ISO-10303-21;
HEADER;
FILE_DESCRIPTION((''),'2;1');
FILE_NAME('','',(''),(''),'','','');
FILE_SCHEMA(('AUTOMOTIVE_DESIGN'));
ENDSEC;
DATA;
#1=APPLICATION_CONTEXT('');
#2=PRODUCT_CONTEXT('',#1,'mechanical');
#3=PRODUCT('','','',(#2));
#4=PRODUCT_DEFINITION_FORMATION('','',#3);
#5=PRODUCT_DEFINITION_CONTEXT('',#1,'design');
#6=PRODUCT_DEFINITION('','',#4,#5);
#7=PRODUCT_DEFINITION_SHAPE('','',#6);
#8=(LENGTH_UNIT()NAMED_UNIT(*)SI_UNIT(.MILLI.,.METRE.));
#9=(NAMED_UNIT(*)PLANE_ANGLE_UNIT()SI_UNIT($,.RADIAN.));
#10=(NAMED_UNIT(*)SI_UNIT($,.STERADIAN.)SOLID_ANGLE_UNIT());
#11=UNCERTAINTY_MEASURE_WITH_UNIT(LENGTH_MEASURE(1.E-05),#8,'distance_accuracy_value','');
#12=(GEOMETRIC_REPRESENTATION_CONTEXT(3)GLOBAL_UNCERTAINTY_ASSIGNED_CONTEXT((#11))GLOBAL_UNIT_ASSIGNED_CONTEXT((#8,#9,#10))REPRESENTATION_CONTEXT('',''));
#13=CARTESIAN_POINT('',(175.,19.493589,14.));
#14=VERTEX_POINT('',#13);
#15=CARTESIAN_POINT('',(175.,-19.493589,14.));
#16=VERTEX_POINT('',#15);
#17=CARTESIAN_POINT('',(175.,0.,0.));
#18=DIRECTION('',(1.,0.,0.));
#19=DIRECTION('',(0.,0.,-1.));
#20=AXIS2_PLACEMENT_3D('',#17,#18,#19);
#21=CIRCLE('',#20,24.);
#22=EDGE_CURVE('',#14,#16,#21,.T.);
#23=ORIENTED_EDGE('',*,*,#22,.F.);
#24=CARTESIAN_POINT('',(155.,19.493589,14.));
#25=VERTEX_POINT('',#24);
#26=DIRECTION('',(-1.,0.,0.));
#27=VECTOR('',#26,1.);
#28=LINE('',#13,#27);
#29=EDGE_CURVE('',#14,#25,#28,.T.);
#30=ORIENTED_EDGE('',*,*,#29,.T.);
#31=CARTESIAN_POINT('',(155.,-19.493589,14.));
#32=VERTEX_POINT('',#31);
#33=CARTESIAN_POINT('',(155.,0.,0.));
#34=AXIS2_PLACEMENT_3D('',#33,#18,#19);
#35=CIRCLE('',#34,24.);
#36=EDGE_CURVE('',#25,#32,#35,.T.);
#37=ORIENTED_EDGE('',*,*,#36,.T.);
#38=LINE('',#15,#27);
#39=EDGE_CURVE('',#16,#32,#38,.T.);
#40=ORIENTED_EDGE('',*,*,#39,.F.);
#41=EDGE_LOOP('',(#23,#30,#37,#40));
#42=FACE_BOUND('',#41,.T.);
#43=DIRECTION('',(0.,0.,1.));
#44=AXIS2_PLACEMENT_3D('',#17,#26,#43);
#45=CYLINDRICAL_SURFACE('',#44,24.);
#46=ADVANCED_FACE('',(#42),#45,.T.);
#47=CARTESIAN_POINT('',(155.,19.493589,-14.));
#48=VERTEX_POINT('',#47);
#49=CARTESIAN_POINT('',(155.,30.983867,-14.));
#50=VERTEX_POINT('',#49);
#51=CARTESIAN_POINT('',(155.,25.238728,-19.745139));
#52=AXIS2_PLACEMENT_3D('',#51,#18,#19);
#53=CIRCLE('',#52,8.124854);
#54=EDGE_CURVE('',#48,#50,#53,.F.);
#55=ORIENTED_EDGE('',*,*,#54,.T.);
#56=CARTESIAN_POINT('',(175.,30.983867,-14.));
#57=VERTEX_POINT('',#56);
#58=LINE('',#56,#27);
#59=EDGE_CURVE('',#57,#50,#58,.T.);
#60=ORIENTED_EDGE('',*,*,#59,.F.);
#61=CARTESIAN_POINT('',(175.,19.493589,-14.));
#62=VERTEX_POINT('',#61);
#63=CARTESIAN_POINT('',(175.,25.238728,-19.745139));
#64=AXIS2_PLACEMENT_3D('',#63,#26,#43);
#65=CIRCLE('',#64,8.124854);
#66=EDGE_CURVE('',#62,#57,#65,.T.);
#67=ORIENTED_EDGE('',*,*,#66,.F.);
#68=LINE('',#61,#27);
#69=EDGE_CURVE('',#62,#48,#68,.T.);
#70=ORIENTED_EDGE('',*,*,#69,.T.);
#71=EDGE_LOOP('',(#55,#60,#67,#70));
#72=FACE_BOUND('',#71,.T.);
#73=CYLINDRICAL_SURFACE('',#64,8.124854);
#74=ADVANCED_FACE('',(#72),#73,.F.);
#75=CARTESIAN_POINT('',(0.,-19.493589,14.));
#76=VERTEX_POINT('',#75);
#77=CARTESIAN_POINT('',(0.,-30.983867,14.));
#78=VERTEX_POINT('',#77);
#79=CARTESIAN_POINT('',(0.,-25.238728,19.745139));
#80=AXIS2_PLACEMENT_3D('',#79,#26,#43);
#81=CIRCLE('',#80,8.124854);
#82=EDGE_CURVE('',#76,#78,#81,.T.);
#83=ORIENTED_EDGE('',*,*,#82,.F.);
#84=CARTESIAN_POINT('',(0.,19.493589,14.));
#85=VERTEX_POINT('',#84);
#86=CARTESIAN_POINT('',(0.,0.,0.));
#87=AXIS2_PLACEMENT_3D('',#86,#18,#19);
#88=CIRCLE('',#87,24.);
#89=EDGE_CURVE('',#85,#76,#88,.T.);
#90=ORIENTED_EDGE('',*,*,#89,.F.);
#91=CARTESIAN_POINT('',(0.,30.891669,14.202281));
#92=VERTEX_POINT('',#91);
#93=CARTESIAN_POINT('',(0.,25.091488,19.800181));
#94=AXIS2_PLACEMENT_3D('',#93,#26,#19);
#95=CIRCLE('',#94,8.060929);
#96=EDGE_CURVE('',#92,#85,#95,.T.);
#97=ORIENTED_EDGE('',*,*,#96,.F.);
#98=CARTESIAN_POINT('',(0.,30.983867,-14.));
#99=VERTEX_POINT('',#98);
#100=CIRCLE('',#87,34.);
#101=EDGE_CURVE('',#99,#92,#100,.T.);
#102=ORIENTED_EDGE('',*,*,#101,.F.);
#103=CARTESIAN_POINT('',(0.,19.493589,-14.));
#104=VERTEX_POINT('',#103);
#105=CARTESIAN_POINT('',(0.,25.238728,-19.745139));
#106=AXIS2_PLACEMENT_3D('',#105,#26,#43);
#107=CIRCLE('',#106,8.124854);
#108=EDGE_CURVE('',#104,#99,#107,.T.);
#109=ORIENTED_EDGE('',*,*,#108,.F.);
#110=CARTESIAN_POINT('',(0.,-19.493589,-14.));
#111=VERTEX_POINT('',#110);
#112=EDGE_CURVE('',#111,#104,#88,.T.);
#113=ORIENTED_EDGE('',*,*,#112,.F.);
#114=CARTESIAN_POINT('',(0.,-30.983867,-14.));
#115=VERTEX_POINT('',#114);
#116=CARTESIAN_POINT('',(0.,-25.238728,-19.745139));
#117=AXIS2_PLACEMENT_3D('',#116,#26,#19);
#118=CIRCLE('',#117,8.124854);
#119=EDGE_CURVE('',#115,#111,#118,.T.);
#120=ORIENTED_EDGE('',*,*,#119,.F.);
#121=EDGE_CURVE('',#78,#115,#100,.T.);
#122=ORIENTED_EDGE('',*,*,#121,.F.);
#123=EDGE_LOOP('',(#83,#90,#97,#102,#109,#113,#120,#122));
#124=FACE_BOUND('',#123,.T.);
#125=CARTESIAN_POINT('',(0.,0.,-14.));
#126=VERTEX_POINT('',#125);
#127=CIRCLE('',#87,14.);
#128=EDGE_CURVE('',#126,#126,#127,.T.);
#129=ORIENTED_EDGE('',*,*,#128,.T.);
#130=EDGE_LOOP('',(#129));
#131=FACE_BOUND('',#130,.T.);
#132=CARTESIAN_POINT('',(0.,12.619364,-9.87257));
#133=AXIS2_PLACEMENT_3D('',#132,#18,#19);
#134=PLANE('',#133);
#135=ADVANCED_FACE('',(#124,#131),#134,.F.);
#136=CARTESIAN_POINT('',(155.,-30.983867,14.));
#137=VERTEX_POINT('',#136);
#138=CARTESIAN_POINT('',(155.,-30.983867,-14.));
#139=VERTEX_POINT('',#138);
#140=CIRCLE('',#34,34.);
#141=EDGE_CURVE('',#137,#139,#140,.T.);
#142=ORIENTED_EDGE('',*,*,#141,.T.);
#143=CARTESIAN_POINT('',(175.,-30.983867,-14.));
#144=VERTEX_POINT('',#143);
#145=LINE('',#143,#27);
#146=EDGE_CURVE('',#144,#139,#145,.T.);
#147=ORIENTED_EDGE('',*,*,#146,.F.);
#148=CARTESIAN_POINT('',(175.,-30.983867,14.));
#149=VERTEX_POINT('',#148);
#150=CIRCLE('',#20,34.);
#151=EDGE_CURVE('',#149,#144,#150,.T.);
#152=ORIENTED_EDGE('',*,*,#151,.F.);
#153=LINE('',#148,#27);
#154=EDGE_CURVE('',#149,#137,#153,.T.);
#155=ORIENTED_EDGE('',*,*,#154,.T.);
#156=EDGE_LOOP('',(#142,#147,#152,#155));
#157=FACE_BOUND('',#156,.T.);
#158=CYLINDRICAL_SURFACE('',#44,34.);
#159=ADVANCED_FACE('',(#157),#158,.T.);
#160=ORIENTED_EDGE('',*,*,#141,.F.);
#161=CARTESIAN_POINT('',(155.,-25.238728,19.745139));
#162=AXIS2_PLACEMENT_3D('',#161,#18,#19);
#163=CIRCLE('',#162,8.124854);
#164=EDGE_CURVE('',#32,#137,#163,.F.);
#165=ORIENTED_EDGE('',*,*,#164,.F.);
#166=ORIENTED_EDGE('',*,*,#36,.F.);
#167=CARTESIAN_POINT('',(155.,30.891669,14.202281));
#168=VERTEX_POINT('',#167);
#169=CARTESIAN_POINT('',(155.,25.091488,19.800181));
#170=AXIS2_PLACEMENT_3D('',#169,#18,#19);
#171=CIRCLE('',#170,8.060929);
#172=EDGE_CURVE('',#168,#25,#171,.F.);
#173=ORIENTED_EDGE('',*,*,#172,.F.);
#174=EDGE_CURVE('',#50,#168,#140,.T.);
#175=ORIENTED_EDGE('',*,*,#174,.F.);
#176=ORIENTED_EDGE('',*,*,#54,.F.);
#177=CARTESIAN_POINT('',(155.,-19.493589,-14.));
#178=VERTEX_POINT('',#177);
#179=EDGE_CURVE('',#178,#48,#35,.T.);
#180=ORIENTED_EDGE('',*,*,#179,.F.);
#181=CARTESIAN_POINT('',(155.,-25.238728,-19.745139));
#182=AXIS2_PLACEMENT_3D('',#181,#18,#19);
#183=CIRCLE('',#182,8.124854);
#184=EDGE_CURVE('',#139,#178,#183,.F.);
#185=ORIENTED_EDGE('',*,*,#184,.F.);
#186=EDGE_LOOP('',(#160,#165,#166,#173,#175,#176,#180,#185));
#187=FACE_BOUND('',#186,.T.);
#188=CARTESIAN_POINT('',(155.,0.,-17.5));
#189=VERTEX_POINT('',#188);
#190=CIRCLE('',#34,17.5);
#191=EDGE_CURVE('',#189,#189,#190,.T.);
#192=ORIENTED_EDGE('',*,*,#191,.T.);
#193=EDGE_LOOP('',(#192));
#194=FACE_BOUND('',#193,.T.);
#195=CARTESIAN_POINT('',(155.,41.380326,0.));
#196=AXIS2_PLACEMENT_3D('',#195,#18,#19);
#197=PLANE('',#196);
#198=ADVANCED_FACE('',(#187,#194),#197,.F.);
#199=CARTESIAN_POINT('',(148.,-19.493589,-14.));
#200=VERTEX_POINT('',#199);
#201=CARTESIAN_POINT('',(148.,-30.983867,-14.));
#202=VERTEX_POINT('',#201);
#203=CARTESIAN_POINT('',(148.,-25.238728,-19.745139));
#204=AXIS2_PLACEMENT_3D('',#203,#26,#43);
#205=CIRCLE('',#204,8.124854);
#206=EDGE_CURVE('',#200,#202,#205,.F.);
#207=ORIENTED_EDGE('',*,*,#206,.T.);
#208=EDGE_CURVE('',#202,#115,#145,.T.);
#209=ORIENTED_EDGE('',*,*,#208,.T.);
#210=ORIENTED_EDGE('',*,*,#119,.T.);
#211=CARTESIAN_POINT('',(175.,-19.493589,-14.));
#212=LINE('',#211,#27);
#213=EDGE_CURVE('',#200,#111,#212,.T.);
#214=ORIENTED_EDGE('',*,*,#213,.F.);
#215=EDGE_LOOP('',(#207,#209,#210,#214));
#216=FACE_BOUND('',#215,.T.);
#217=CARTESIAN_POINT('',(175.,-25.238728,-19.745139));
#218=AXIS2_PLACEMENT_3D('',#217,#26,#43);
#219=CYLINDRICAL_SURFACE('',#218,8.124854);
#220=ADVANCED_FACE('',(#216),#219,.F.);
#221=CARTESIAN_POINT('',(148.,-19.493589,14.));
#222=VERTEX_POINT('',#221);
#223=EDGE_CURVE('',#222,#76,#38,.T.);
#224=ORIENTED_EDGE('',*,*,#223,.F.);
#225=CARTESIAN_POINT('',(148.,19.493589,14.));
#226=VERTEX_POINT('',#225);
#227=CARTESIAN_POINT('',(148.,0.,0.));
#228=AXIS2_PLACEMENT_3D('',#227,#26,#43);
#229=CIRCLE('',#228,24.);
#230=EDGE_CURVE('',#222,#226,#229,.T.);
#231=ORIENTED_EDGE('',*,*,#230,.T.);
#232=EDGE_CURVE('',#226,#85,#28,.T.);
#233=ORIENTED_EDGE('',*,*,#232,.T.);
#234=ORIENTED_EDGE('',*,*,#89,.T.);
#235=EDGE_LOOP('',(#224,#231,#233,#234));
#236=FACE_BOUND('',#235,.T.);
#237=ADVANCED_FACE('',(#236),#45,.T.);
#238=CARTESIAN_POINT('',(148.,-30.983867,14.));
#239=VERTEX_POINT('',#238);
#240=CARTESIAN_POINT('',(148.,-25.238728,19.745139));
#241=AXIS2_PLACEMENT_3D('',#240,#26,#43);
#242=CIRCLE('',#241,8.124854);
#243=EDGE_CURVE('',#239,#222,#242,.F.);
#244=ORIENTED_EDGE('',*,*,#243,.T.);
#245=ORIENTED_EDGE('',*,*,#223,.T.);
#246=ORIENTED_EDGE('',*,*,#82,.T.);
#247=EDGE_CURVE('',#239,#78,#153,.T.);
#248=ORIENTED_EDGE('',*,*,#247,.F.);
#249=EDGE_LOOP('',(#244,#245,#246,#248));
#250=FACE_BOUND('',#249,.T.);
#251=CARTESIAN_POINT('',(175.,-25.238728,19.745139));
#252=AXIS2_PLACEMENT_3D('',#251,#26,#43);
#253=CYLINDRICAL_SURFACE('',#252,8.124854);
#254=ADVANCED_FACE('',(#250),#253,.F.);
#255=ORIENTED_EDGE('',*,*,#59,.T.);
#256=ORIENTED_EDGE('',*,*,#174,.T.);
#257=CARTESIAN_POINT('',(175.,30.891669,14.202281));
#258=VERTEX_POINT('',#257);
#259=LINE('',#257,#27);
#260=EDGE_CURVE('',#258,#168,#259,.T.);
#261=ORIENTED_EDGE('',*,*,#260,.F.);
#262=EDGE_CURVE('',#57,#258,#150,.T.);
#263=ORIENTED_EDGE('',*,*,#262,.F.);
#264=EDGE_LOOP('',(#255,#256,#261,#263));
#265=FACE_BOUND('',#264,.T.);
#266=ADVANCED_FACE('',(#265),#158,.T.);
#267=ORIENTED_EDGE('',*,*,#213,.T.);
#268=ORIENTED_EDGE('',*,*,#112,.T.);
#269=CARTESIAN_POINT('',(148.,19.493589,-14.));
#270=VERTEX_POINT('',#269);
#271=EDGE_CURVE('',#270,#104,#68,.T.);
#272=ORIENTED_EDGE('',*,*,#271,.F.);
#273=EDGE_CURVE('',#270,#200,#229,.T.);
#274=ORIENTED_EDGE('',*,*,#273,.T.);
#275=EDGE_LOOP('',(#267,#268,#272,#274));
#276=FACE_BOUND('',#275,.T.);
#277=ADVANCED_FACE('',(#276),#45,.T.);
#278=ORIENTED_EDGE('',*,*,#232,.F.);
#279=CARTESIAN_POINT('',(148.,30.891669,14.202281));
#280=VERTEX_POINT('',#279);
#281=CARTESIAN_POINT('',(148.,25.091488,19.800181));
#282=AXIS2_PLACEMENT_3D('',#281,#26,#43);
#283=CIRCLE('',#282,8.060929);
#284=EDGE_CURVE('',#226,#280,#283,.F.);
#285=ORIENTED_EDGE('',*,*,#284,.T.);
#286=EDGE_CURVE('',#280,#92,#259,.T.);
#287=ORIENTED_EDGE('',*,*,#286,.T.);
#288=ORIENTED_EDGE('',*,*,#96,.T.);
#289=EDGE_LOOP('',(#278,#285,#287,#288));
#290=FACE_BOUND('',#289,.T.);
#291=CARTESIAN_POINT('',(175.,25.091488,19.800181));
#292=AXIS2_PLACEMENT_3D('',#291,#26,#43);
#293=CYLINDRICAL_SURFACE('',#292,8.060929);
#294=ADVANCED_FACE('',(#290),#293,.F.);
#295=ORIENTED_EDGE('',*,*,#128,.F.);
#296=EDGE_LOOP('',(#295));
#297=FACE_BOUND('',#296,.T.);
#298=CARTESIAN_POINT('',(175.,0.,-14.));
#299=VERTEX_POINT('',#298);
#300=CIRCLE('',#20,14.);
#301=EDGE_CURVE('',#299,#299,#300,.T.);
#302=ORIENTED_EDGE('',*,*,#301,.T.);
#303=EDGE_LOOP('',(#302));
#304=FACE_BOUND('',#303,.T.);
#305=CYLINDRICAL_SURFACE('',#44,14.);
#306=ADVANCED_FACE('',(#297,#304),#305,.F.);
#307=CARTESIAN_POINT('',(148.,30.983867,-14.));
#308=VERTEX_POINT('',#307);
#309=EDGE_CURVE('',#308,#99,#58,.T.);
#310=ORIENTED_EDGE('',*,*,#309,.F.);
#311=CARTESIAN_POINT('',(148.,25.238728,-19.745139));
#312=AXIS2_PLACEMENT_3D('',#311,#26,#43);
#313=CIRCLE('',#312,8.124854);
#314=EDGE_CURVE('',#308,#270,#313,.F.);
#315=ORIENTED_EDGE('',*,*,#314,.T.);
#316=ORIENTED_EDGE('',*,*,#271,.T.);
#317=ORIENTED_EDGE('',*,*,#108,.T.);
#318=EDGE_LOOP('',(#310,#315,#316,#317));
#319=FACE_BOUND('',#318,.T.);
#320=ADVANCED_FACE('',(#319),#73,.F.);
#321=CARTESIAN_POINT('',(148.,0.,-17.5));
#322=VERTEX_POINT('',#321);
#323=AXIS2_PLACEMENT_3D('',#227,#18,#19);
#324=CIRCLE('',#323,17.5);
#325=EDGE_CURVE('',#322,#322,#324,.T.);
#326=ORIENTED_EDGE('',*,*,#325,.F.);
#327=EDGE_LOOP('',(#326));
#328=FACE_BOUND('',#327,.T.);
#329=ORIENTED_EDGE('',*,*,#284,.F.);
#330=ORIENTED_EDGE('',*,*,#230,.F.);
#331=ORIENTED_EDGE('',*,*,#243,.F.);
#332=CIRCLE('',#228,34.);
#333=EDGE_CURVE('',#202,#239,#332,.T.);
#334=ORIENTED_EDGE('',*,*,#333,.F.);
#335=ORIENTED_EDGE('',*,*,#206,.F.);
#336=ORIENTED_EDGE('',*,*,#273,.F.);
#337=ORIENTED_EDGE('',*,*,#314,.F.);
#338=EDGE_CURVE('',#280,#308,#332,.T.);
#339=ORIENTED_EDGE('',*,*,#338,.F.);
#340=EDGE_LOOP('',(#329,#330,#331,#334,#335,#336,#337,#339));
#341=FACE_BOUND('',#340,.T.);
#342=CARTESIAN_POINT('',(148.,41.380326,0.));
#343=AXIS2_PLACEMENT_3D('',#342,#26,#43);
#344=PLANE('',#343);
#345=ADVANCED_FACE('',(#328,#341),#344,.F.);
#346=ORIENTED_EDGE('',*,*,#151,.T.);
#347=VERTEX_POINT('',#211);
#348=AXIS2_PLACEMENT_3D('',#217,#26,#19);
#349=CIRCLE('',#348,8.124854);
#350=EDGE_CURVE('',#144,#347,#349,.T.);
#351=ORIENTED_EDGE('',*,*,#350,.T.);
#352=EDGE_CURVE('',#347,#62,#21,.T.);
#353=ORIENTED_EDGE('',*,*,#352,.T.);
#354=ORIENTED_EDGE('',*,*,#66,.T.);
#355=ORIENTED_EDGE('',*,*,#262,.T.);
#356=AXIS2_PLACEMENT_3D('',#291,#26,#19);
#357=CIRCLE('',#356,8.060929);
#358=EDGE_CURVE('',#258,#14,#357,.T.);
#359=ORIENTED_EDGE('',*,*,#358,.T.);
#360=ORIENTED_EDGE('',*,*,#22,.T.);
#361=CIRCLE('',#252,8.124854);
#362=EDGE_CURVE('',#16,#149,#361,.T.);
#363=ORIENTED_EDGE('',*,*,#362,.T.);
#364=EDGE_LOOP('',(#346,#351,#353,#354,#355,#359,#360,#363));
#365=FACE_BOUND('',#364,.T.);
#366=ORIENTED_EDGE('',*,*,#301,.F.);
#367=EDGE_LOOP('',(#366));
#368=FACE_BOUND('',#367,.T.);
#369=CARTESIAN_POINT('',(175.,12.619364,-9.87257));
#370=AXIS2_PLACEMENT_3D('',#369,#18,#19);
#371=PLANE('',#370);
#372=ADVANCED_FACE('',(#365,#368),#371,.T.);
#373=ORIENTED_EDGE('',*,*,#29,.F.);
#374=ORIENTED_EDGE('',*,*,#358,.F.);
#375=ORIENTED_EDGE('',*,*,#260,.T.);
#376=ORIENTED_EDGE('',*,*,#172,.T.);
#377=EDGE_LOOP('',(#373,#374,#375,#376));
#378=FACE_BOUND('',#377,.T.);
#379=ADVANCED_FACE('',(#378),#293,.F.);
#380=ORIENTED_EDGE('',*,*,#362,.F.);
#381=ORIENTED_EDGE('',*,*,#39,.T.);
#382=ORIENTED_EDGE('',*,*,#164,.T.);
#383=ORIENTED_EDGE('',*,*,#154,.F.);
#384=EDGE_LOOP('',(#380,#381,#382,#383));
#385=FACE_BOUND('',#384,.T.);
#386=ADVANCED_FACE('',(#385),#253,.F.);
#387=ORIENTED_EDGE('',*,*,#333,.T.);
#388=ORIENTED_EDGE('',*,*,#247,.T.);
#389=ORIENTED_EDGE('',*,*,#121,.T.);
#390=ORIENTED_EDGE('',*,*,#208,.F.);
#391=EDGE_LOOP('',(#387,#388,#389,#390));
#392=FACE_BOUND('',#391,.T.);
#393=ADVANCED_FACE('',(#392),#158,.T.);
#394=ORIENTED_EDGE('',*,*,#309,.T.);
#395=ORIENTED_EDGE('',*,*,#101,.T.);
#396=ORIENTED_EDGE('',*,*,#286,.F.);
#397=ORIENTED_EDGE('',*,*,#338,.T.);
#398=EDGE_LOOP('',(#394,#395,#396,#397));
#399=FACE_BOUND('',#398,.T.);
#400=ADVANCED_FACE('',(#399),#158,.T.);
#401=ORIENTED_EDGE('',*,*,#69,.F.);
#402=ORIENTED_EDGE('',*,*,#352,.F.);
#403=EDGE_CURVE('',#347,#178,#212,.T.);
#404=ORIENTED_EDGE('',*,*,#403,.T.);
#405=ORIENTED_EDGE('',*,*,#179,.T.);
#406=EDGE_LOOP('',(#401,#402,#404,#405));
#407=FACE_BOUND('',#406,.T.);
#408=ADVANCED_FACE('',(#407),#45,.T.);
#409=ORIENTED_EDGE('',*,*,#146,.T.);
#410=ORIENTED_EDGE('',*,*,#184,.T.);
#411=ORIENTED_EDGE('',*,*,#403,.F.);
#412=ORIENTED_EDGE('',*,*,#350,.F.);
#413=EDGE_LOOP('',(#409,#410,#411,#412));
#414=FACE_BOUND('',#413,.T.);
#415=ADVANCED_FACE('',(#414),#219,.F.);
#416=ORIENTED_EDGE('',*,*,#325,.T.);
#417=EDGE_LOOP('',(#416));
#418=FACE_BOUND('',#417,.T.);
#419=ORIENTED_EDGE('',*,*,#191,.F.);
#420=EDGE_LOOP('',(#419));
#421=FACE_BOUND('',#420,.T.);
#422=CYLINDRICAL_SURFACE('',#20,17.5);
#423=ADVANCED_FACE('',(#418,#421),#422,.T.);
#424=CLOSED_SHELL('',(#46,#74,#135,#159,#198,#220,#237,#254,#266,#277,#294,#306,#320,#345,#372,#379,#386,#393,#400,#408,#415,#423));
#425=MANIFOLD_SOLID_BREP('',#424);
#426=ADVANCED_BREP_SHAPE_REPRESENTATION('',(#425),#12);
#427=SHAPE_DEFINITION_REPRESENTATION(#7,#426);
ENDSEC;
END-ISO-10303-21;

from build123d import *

# Parameters (mm, degrees)
SKETCH1_R           = 14
BOSS_EXTRUDE1_DEPTH = 175
SKETCH5_W           = 7
SKETCH5_H           = 23.880326309


with BuildPart() as part:
    # Sketch1 → Boss-Extrude1 (new body)
    with BuildSketch(Plane(origin=(0, 0, 0), x_dir=(0, 0, -1), z_dir=(1, 0, 0))):
        with BuildLine():
            ThreePointArc((-14, 19.49358869), (-24, 0), (-14, -19.49358869))
            ThreePointArc((-14, -19.49358869), (-11.620285492, -25.23872773), (-14, -30.98386677))
            ThreePointArc((-14, -30.98386677), (0, -34), (14, -30.98386677))
            ThreePointArc((14, -30.98386677), (11.620285492, -25.23872773), (14, -19.49358869))
            ThreePointArc((14, -19.49358869), (24, 0), (14, 19.49358869))
            ThreePointArc((14, 19.49358869), (11.620285492, 25.23872773), (14, 30.98386677))
            ThreePointArc((14, 30.98386677), (-0.111150927, 33.999818315), (-14.202281174, 30.891668933))
            ThreePointArc((-14.202281174, 30.891668933), (-11.740520876, 25.234522614), (-14, 19.49358869))
        make_face()
        Circle(SKETCH1_R, mode=Mode.SUBTRACT)
    extrude(amount=BOSS_EXTRUDE1_DEPTH)

    # Sketch5 → Cut-Revolve1 (revolve, cut)
    with BuildSketch(Plane.XY, mode=Mode.PRIVATE) as cut_revolve1_sk:
        with Locations((151.5, 29.440163155)):
            Rectangle(SKETCH5_W, SKETCH5_H)
    revolve(cut_revolve1_sk.sketch.rotate(Axis((175, 0, 0), (-1, 0, 0)), 90), axis=Axis((175, 0, 0), (-1, 0, 0)), mode=Mode.SUBTRACT)


solid = part.part
